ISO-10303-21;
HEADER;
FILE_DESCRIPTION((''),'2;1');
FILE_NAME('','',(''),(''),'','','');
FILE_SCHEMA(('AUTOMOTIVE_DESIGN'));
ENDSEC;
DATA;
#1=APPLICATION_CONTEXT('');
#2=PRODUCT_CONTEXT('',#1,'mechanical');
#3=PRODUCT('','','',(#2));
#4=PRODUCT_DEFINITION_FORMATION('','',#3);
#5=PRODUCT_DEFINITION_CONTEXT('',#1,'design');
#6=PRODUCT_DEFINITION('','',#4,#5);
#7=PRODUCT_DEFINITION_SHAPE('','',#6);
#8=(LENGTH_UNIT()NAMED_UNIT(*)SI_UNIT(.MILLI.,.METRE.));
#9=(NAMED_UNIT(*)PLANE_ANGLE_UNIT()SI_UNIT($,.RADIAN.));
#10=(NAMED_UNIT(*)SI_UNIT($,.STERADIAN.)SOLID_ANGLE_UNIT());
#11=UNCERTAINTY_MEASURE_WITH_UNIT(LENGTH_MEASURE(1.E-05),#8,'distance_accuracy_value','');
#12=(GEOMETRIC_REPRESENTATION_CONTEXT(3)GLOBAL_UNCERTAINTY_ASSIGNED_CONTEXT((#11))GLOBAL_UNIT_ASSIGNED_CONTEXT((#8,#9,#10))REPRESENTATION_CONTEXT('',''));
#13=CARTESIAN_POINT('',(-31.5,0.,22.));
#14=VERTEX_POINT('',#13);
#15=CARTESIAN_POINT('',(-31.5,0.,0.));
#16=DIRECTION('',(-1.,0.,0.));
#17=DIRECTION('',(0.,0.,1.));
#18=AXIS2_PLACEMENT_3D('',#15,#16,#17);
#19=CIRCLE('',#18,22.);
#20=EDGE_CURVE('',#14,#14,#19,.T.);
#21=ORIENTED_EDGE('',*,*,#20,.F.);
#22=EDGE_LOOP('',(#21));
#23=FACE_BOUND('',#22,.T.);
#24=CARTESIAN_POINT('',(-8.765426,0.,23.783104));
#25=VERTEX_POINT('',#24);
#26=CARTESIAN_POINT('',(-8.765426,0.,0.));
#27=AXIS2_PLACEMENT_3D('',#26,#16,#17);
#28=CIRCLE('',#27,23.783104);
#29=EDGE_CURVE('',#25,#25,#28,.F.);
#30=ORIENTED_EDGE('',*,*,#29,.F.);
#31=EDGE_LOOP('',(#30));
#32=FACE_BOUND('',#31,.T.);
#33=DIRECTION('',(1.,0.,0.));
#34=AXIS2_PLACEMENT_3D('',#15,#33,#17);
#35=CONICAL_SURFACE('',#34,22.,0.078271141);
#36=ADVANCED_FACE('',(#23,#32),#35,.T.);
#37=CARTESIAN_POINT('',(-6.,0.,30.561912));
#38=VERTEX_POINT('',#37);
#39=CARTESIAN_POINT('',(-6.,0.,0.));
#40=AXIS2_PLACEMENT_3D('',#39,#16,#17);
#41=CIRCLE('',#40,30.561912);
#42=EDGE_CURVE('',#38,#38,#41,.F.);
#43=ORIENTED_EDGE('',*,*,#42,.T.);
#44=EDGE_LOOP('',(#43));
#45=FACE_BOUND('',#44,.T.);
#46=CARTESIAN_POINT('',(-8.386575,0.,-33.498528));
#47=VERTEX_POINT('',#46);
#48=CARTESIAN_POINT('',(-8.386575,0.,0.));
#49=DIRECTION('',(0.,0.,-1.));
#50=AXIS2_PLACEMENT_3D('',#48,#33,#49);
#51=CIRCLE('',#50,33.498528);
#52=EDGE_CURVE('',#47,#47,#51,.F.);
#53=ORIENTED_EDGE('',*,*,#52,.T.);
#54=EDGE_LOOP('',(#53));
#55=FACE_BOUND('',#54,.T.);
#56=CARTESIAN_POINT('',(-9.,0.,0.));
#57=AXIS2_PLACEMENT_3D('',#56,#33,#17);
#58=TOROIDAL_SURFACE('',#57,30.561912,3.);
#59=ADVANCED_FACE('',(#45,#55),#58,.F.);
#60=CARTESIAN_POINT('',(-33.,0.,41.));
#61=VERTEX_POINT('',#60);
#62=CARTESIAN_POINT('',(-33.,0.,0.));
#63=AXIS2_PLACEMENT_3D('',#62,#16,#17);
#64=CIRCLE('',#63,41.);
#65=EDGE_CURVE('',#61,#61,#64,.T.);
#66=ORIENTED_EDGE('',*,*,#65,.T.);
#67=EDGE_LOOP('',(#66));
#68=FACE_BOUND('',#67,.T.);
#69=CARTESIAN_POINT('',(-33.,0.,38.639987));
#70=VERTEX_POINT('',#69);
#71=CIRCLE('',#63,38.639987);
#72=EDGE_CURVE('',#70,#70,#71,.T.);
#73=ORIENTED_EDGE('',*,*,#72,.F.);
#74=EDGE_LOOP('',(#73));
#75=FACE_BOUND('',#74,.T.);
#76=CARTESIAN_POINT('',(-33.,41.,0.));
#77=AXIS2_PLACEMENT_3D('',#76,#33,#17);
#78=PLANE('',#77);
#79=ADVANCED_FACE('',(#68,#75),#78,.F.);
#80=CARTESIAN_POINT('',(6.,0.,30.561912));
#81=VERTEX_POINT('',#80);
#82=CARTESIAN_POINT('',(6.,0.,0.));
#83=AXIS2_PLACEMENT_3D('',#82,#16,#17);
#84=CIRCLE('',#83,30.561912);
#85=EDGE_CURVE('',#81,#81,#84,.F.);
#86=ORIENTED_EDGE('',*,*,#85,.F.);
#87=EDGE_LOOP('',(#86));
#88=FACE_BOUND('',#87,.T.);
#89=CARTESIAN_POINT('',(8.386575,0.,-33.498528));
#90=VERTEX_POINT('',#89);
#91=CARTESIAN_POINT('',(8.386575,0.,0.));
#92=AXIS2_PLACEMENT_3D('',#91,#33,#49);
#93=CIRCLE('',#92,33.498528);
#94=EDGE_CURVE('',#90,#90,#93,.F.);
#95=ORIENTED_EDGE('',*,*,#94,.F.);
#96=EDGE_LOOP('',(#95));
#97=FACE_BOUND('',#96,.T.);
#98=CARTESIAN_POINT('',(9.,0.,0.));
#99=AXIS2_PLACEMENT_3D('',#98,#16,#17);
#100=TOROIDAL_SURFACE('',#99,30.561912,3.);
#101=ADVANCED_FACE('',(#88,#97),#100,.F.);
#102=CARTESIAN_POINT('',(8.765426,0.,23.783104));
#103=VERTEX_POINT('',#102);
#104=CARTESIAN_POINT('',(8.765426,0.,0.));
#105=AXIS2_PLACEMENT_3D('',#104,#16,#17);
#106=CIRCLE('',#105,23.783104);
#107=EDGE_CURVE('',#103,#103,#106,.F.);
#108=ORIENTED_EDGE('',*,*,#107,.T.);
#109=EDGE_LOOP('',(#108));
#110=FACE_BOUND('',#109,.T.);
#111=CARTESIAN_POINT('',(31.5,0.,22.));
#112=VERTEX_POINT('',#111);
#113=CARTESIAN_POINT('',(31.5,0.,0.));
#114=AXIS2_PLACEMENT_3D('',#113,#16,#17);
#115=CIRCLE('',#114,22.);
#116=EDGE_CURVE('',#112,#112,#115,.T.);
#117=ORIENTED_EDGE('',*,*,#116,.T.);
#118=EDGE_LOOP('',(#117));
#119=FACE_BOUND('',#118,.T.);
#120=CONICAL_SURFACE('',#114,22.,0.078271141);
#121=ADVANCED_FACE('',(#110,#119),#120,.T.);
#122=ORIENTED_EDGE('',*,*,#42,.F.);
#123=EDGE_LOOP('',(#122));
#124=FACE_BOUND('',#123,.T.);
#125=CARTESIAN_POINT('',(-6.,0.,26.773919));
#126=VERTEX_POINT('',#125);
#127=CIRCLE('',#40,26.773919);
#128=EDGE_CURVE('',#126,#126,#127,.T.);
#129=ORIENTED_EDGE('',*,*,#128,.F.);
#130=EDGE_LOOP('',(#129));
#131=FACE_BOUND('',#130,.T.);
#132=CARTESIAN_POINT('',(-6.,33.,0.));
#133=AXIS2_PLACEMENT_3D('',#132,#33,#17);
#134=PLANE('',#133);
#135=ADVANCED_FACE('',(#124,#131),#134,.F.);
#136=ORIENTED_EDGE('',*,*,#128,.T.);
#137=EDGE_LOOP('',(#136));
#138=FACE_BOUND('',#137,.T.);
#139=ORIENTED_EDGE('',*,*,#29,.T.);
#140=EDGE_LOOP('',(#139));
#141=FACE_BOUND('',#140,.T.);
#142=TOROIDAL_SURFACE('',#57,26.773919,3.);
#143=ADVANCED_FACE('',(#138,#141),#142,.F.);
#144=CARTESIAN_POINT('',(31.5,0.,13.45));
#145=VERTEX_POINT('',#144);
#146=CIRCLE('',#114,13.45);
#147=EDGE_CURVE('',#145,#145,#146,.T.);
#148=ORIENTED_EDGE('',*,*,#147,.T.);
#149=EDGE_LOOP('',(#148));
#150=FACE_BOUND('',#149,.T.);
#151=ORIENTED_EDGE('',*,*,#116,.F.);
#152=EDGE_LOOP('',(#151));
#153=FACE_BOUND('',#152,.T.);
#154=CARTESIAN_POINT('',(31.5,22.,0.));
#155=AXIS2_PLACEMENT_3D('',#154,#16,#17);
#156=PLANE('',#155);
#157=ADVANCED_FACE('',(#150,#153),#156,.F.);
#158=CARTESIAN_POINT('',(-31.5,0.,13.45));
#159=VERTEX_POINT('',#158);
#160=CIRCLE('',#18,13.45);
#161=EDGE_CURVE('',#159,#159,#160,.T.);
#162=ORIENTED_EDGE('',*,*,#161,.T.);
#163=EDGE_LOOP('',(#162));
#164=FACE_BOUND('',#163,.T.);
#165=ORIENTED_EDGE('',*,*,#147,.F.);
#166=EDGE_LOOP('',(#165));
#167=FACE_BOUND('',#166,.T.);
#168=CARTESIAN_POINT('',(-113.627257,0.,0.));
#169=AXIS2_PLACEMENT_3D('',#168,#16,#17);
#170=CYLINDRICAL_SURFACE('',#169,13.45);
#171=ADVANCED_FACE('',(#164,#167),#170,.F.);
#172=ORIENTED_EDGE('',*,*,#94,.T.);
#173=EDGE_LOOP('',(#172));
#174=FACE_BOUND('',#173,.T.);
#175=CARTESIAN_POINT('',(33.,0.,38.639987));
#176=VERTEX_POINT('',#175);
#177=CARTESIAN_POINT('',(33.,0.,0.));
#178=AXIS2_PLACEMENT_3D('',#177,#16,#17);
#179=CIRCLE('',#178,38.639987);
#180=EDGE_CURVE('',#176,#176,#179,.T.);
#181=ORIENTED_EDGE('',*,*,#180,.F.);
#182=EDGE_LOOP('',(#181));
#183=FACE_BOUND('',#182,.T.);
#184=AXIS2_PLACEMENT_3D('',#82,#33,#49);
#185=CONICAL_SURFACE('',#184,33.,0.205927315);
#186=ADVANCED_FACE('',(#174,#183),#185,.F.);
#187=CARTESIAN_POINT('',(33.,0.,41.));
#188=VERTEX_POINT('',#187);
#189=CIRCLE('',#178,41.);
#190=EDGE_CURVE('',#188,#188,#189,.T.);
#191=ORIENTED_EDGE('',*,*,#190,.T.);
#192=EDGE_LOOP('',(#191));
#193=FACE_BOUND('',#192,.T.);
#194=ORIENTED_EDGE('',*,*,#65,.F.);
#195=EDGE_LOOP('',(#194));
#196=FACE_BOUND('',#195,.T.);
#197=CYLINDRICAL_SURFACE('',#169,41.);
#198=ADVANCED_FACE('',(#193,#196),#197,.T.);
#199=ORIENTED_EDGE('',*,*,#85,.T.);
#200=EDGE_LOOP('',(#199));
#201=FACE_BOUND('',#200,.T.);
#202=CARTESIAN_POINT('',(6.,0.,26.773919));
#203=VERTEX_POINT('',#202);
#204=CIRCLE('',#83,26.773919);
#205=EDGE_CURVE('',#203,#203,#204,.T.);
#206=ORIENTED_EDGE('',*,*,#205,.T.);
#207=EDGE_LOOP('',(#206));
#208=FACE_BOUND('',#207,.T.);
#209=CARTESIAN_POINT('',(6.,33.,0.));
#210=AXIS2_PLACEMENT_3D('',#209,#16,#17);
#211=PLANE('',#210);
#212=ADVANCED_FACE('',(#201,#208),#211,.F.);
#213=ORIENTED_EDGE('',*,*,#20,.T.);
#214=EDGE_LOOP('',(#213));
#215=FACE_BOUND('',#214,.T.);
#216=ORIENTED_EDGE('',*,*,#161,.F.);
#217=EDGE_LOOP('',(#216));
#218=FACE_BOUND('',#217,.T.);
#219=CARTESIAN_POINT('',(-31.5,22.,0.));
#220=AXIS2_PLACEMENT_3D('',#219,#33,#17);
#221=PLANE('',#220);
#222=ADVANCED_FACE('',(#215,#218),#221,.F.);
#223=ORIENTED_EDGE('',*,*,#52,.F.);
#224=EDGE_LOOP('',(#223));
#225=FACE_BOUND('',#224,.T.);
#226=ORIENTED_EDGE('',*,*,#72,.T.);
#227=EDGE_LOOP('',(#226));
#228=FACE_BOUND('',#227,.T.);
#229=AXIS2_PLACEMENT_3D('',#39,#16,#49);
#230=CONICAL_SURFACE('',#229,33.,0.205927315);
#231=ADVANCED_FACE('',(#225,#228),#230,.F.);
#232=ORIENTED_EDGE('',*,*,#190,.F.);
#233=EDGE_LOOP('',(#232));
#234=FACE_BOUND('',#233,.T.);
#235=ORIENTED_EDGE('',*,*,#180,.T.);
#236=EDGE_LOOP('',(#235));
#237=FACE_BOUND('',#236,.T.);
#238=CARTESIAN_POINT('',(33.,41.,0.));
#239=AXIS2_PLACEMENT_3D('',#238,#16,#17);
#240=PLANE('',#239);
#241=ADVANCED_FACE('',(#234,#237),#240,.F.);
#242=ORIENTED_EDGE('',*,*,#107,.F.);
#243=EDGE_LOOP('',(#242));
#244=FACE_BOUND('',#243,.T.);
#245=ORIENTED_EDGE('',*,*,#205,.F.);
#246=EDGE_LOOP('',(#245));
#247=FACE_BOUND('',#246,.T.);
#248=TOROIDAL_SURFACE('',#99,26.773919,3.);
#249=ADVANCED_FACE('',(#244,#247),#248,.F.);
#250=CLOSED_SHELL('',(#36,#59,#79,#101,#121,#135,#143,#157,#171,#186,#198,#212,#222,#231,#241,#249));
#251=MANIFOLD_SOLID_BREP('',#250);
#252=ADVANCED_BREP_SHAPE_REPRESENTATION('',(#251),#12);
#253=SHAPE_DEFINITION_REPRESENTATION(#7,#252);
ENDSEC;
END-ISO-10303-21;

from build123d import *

# Parameters (mm, degrees)
FILLET4_R = 3
FILLET5_R = 3


with BuildPart() as part:
    # Sketch1 → Revolve1 (revolve)
    with BuildSketch(Plane.XY):
        Polygon((0, 13.45), (0, 41), (33, 41), (33, 38.639986999), (6, 33), (6, 24), (31.5, 22), (31.5, 13.45), align=None)
    revolve(axis=Axis((-113.627257408, 0, 0), (1, 0, 0)))

    # Fillet4
    fillet4_edges = [part.edges().sort_by_distance(p)[0] for p in [
        (6, -33, 0),
    ]]
    fillet(fillet4_edges, radius=FILLET4_R)

    # Fillet5
    fillet5_edges = [part.edges().sort_by_distance(p)[0] for p in [
        (6, -24, 0),
    ]]
    fillet(fillet5_edges, radius=FILLET5_R)

    # Mirror1: part across plane


with BuildPart() as part_1:
    add(part.part)
    add(part.part.mirror(Plane(origin=(0, 0, 0), x_dir=(0, 0, 1), z_dir=(1, 0, 0))))


solid = part_1.part
